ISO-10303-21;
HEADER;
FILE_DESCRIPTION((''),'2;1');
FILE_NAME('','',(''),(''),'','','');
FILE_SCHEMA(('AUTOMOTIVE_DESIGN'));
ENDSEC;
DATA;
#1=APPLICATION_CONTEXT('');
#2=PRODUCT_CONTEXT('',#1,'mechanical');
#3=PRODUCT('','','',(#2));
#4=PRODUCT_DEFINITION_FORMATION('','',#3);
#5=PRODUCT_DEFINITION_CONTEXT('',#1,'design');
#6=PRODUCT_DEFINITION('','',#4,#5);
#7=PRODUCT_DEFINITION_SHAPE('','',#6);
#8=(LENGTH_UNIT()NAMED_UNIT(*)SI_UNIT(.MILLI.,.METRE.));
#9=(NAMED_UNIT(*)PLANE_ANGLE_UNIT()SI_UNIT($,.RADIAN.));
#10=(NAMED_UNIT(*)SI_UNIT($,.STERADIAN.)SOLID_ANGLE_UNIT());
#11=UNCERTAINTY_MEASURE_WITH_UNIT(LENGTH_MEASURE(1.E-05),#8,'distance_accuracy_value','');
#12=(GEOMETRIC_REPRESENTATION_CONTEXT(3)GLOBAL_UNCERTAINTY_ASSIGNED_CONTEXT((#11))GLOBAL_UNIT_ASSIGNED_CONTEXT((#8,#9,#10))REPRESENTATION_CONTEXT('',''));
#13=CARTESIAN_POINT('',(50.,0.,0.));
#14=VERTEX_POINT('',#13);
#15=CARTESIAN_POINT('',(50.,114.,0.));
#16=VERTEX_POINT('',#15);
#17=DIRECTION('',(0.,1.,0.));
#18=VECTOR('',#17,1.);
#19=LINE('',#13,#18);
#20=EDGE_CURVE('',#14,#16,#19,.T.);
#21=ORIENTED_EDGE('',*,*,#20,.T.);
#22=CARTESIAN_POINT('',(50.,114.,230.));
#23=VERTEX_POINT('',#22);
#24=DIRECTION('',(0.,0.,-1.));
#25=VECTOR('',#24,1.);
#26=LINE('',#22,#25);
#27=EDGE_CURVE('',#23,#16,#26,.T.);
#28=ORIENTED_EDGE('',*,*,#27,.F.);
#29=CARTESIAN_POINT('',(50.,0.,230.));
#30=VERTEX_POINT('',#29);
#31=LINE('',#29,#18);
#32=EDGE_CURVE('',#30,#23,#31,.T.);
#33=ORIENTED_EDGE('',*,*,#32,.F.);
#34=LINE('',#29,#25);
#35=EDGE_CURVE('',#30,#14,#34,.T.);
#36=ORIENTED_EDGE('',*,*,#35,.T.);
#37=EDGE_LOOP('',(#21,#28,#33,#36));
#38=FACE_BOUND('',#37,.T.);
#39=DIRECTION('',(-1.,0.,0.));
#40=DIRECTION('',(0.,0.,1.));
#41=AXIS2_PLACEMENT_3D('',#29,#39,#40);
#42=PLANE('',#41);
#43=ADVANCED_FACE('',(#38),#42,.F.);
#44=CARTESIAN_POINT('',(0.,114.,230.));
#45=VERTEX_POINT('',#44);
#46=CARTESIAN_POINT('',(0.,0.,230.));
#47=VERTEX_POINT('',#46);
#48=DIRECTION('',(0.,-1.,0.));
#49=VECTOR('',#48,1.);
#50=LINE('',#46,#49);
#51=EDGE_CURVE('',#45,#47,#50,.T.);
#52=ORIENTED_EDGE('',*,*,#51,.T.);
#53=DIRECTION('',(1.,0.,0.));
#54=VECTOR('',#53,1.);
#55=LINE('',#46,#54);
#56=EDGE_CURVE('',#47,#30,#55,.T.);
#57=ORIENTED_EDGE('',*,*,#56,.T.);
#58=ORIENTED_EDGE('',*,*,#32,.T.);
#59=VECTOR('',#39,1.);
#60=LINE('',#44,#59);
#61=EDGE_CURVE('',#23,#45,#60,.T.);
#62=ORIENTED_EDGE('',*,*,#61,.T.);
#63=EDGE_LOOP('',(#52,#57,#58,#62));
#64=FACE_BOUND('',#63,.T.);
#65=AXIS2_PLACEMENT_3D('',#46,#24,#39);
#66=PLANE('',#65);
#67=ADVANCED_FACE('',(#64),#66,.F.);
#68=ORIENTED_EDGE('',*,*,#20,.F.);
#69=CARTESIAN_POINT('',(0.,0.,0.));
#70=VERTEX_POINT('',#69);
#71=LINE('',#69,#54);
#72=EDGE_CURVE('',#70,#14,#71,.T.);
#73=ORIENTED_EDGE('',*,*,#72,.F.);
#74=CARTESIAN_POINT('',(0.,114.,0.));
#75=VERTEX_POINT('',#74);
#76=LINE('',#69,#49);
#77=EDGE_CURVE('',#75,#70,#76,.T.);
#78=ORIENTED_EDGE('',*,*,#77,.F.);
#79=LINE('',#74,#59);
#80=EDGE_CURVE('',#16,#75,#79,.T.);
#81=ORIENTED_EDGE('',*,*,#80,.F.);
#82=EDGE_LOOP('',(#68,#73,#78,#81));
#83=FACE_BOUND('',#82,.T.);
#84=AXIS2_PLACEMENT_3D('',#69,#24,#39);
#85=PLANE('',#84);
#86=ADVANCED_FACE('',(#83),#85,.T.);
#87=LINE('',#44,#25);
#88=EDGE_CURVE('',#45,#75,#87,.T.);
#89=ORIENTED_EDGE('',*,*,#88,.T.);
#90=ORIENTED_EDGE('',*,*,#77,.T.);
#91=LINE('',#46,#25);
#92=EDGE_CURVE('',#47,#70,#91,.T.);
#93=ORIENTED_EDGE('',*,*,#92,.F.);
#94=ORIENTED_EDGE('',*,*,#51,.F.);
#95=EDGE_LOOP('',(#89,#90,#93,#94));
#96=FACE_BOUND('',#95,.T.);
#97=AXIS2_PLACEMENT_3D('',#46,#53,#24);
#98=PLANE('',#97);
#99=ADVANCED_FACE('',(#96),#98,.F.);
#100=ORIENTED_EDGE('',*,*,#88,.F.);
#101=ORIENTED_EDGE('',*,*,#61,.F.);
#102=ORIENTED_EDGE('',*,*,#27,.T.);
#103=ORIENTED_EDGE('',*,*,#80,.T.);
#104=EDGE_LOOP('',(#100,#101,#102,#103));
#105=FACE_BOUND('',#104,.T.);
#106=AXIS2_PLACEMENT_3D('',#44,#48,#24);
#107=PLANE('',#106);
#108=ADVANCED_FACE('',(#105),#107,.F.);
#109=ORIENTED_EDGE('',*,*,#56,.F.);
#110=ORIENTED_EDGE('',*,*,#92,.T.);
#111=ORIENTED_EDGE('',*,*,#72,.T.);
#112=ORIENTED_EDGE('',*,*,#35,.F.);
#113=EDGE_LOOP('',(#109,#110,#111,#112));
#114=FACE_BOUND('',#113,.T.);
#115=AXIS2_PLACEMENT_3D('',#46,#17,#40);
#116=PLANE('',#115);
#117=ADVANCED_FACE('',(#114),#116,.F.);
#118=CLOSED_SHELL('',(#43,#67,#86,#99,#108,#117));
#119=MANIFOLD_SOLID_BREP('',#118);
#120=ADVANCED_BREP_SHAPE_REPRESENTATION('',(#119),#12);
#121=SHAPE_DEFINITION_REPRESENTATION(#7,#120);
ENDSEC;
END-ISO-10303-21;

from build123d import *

# Parameters (mm, degrees)
ESBO_O1_W                = 50
ESBO_O1_H                = 114
RESSALTO_EXTRUS_O1_DEPTH = 230


with BuildPart() as part:
    # Esboço1 → Ressalto-extrusão1 (new body)
    with BuildSketch(Plane.XY):
        with Locations((25, 57)):
            Rectangle(ESBO_O1_W, ESBO_O1_H)
    extrude(amount=RESSALTO_EXTRUS_O1_DEPTH)


solid = part.part
